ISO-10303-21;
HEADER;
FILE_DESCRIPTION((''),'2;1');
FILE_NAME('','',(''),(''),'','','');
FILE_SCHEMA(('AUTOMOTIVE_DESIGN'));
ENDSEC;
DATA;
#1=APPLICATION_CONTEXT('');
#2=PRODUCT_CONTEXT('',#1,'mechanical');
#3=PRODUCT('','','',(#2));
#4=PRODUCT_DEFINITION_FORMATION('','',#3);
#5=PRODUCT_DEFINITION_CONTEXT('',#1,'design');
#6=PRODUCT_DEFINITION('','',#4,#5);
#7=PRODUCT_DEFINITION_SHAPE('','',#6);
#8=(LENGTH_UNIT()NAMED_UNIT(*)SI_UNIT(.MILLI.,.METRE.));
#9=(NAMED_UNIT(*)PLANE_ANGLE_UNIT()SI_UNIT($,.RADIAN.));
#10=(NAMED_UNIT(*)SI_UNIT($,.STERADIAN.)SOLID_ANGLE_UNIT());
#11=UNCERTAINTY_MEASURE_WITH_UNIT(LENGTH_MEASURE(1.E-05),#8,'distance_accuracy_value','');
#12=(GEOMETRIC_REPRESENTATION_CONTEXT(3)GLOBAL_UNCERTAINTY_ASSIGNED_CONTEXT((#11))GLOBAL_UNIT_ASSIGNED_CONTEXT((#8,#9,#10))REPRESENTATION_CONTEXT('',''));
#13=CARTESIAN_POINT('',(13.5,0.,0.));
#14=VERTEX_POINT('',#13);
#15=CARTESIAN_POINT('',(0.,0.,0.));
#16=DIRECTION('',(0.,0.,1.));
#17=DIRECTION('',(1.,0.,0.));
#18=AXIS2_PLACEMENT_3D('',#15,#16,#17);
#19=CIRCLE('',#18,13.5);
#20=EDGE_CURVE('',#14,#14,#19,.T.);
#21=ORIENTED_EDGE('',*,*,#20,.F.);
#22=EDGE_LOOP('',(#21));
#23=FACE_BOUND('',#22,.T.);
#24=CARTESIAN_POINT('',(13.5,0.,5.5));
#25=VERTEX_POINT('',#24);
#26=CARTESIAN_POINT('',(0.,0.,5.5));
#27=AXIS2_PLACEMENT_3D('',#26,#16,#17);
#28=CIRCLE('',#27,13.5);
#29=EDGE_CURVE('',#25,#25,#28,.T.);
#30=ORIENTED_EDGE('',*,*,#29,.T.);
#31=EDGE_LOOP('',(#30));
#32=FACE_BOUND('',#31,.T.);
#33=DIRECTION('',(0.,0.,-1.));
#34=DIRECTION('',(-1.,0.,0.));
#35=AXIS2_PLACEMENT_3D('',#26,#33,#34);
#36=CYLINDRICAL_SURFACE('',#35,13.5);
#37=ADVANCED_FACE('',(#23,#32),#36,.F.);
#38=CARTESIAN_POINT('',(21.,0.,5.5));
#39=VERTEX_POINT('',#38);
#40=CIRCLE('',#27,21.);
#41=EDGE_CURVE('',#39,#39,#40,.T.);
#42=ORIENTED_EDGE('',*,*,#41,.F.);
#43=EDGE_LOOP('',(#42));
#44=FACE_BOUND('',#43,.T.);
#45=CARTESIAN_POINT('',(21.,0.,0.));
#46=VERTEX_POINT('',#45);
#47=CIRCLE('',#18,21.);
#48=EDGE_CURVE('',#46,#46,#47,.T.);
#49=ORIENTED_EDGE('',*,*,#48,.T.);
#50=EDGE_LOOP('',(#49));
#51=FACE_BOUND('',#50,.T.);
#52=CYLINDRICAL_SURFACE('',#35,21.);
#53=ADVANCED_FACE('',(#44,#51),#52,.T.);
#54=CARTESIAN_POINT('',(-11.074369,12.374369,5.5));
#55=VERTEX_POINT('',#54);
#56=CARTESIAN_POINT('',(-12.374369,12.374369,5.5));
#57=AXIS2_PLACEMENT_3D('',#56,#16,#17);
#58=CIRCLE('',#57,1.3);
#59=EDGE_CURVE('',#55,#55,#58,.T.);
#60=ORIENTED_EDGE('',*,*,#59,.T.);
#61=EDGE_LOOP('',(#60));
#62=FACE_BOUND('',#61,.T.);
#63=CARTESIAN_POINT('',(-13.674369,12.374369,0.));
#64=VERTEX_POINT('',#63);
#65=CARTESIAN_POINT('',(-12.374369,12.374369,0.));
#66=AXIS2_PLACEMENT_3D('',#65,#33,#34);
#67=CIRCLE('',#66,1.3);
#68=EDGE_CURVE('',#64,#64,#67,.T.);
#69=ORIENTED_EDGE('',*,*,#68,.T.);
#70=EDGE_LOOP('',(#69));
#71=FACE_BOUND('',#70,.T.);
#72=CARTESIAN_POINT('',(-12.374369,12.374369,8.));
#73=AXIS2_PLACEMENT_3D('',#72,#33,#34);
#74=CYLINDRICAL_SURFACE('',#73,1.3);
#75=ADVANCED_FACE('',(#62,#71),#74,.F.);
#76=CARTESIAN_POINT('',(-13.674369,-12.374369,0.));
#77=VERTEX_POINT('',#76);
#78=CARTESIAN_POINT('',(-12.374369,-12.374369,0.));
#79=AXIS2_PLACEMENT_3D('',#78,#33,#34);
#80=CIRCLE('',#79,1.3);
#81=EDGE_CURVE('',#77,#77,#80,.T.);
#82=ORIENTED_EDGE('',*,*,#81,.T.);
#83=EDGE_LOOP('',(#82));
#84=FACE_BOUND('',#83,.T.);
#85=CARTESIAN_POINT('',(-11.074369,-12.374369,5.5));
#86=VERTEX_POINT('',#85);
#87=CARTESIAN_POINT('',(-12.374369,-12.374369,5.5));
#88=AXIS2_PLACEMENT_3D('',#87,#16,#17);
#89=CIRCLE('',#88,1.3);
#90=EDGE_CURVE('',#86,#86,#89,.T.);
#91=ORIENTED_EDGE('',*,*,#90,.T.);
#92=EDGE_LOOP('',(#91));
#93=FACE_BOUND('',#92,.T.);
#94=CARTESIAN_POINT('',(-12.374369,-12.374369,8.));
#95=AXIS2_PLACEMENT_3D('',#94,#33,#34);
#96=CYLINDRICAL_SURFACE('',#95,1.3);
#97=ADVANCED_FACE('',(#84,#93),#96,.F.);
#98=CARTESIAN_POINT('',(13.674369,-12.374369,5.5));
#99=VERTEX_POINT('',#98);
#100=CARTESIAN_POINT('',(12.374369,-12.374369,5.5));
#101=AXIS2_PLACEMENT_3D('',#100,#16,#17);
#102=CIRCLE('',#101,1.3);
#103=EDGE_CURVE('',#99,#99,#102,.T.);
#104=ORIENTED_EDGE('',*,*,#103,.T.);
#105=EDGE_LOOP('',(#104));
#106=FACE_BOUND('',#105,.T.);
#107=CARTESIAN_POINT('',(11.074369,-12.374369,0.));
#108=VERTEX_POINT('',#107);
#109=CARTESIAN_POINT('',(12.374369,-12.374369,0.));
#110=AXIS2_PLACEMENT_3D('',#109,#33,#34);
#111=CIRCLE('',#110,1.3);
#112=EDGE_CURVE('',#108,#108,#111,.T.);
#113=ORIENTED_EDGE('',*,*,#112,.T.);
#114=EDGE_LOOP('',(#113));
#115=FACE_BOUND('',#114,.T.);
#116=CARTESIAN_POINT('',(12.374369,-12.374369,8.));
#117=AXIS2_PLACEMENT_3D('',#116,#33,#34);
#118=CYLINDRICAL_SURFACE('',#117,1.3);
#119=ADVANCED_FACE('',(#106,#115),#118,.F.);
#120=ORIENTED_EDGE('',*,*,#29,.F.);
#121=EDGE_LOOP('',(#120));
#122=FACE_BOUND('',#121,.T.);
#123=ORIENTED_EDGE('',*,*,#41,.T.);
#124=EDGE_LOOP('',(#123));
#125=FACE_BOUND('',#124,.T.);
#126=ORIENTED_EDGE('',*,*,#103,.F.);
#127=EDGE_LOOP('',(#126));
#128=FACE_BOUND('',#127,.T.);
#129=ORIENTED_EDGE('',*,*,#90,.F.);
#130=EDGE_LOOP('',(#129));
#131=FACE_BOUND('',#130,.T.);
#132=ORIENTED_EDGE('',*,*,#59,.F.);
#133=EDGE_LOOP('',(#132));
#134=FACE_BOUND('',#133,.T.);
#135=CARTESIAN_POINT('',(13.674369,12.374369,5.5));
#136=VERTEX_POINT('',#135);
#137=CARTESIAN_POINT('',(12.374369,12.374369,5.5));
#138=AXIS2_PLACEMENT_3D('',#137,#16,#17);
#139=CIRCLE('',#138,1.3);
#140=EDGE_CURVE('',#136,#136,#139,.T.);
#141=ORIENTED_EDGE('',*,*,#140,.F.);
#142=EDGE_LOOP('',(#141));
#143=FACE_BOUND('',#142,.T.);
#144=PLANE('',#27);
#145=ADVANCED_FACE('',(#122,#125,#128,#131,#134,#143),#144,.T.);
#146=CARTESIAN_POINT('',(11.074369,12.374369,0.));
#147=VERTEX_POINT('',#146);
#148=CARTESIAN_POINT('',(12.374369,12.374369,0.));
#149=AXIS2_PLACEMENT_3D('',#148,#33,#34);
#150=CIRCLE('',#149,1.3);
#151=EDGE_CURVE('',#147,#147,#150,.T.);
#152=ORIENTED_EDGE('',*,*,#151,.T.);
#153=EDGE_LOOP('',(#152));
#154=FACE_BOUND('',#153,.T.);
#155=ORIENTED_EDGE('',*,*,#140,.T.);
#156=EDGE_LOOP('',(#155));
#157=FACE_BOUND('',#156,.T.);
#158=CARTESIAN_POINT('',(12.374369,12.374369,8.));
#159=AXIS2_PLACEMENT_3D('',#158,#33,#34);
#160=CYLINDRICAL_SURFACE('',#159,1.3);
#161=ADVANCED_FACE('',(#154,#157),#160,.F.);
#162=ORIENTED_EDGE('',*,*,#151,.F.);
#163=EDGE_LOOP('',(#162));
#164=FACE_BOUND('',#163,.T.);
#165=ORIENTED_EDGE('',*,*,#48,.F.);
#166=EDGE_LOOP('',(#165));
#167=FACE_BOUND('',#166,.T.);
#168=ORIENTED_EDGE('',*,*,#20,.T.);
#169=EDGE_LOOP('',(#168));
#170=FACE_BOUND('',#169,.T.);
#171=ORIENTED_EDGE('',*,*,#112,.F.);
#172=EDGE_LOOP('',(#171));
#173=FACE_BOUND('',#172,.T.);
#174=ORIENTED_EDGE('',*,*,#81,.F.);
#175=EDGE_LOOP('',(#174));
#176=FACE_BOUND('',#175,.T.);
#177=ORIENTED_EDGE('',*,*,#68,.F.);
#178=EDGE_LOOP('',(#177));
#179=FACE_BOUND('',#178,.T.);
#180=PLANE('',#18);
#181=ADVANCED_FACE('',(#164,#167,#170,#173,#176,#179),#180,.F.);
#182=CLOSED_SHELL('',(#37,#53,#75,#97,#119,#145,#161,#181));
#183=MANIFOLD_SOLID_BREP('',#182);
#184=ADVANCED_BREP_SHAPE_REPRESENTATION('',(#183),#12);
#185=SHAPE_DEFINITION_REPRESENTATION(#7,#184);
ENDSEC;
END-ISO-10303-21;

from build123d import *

# Parameters (mm, degrees)
SKETCH_1_R          = 21
SKETCH_1_R_2        = 13.5
EXTRUDE_1_DEPTH     = 5.5
SKETCH_2_R          = 1.3
CUT_EXTRUDE_1_DEPTH = 8


with BuildPart() as part:
    # 草图1 → 凸台-拉伸1 (new body)
    with BuildSketch(Plane.XY):
        Circle(SKETCH_1_R)
        Circle(SKETCH_1_R_2, mode=Mode.SUBTRACT)
    extrude(amount=EXTRUDE_1_DEPTH)

    # 草图2 → 切除-拉伸1 (cut)
    with BuildSketch(Plane(origin=(0, 0, 0), x_dir=(-1, 0, 0), z_dir=(0, 0, -1))):
        with Locations((-12.374368671, 12.374368671)):
            Circle(SKETCH_2_R)
        with Locations((12.374368671, 12.374368671)):
            Circle(SKETCH_2_R)
        with Locations((12.374368671, -12.374368671)):
            Circle(SKETCH_2_R)
        with Locations((-12.374368671, -12.374368671)):
            Circle(SKETCH_2_R)
    extrude(amount=-CUT_EXTRUDE_1_DEPTH, mode=Mode.SUBTRACT)


solid = part.part
